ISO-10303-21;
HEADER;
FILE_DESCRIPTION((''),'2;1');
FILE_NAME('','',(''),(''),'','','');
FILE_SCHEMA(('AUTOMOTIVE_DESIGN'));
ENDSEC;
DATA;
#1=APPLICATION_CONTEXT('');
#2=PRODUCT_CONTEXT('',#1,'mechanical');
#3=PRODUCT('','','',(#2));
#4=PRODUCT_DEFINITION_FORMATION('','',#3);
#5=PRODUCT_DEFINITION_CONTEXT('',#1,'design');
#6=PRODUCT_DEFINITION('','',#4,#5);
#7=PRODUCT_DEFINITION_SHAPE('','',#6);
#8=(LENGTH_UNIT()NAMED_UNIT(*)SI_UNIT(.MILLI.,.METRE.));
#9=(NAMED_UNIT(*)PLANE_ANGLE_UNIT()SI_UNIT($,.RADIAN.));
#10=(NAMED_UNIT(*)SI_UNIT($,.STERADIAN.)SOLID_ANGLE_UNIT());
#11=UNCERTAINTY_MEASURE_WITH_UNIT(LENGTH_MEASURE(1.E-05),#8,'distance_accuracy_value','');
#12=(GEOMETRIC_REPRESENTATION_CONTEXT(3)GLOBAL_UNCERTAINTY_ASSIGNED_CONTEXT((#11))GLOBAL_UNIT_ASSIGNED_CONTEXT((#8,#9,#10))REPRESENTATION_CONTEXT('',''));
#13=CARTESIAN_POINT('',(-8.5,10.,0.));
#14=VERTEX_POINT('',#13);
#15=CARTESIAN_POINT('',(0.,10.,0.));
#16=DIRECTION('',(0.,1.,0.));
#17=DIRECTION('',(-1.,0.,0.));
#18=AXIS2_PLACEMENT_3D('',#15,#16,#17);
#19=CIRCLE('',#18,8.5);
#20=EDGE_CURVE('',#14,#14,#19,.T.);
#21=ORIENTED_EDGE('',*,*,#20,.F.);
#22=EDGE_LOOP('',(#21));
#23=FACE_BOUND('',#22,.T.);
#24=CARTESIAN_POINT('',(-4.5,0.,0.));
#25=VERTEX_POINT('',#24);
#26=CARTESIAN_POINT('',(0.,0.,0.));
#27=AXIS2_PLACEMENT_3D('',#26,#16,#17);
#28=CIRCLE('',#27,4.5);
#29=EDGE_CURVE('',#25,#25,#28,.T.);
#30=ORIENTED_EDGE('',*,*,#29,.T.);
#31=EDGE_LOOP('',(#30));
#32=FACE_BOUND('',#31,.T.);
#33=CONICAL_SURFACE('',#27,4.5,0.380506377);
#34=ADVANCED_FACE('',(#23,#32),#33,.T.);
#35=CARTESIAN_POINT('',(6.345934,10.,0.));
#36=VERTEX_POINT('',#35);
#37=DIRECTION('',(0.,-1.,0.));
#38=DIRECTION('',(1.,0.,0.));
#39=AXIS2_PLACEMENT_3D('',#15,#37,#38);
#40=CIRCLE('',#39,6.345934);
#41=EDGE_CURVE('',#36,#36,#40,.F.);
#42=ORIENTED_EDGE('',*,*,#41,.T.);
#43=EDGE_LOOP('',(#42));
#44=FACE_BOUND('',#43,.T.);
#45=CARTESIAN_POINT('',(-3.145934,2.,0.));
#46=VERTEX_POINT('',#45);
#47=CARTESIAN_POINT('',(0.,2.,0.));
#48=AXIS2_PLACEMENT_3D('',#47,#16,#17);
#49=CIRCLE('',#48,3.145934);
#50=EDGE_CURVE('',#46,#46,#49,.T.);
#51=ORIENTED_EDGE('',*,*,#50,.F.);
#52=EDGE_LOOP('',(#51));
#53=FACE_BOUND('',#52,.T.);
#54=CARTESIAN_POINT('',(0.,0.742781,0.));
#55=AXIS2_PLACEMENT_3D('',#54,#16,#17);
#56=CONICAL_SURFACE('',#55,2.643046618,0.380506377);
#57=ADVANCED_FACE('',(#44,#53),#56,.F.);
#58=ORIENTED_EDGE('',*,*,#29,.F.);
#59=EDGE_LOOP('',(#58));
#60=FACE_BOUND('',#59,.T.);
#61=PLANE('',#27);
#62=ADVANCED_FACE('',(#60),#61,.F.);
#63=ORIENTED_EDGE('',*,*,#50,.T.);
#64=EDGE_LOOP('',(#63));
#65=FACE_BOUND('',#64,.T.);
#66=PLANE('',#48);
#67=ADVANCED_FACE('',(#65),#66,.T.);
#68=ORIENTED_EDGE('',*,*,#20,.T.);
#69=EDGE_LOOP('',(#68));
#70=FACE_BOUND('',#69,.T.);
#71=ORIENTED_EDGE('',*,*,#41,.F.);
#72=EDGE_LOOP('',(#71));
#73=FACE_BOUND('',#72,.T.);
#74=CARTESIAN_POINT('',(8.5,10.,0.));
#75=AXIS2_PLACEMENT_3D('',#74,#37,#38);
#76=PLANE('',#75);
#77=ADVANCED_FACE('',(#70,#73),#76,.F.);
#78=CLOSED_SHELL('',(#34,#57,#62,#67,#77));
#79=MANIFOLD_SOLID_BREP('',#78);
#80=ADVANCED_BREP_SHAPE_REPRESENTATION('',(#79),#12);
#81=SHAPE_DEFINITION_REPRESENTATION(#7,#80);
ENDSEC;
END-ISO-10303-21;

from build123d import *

# Parameters (mm, degrees)
SHELL_3_T = -2


with BuildPart() as part:
    # 草图1 → 旋转1 (revolve)
    with BuildSketch(Plane.XY, mode=Mode.PRIVATE) as revolve_1_sk:
        Polygon((0, 0), (4.5, 0), (8.5, 10), (0, 10), align=None)
    revolve(revolve_1_sk.sketch.rotate(Axis((0, 10, 0), (0, -1, 0)), 180), axis=Axis((0, 10, 0), (0, -1, 0)))

    # 抽壳3
    shell_3_openings = [part.faces().sort_by_distance(p)[0] for p in [
        (0, 10, 0),
    ]]
    offset(amount=SHELL_3_T, openings=shell_3_openings, kind=Kind.INTERSECTION)


solid = part.part
